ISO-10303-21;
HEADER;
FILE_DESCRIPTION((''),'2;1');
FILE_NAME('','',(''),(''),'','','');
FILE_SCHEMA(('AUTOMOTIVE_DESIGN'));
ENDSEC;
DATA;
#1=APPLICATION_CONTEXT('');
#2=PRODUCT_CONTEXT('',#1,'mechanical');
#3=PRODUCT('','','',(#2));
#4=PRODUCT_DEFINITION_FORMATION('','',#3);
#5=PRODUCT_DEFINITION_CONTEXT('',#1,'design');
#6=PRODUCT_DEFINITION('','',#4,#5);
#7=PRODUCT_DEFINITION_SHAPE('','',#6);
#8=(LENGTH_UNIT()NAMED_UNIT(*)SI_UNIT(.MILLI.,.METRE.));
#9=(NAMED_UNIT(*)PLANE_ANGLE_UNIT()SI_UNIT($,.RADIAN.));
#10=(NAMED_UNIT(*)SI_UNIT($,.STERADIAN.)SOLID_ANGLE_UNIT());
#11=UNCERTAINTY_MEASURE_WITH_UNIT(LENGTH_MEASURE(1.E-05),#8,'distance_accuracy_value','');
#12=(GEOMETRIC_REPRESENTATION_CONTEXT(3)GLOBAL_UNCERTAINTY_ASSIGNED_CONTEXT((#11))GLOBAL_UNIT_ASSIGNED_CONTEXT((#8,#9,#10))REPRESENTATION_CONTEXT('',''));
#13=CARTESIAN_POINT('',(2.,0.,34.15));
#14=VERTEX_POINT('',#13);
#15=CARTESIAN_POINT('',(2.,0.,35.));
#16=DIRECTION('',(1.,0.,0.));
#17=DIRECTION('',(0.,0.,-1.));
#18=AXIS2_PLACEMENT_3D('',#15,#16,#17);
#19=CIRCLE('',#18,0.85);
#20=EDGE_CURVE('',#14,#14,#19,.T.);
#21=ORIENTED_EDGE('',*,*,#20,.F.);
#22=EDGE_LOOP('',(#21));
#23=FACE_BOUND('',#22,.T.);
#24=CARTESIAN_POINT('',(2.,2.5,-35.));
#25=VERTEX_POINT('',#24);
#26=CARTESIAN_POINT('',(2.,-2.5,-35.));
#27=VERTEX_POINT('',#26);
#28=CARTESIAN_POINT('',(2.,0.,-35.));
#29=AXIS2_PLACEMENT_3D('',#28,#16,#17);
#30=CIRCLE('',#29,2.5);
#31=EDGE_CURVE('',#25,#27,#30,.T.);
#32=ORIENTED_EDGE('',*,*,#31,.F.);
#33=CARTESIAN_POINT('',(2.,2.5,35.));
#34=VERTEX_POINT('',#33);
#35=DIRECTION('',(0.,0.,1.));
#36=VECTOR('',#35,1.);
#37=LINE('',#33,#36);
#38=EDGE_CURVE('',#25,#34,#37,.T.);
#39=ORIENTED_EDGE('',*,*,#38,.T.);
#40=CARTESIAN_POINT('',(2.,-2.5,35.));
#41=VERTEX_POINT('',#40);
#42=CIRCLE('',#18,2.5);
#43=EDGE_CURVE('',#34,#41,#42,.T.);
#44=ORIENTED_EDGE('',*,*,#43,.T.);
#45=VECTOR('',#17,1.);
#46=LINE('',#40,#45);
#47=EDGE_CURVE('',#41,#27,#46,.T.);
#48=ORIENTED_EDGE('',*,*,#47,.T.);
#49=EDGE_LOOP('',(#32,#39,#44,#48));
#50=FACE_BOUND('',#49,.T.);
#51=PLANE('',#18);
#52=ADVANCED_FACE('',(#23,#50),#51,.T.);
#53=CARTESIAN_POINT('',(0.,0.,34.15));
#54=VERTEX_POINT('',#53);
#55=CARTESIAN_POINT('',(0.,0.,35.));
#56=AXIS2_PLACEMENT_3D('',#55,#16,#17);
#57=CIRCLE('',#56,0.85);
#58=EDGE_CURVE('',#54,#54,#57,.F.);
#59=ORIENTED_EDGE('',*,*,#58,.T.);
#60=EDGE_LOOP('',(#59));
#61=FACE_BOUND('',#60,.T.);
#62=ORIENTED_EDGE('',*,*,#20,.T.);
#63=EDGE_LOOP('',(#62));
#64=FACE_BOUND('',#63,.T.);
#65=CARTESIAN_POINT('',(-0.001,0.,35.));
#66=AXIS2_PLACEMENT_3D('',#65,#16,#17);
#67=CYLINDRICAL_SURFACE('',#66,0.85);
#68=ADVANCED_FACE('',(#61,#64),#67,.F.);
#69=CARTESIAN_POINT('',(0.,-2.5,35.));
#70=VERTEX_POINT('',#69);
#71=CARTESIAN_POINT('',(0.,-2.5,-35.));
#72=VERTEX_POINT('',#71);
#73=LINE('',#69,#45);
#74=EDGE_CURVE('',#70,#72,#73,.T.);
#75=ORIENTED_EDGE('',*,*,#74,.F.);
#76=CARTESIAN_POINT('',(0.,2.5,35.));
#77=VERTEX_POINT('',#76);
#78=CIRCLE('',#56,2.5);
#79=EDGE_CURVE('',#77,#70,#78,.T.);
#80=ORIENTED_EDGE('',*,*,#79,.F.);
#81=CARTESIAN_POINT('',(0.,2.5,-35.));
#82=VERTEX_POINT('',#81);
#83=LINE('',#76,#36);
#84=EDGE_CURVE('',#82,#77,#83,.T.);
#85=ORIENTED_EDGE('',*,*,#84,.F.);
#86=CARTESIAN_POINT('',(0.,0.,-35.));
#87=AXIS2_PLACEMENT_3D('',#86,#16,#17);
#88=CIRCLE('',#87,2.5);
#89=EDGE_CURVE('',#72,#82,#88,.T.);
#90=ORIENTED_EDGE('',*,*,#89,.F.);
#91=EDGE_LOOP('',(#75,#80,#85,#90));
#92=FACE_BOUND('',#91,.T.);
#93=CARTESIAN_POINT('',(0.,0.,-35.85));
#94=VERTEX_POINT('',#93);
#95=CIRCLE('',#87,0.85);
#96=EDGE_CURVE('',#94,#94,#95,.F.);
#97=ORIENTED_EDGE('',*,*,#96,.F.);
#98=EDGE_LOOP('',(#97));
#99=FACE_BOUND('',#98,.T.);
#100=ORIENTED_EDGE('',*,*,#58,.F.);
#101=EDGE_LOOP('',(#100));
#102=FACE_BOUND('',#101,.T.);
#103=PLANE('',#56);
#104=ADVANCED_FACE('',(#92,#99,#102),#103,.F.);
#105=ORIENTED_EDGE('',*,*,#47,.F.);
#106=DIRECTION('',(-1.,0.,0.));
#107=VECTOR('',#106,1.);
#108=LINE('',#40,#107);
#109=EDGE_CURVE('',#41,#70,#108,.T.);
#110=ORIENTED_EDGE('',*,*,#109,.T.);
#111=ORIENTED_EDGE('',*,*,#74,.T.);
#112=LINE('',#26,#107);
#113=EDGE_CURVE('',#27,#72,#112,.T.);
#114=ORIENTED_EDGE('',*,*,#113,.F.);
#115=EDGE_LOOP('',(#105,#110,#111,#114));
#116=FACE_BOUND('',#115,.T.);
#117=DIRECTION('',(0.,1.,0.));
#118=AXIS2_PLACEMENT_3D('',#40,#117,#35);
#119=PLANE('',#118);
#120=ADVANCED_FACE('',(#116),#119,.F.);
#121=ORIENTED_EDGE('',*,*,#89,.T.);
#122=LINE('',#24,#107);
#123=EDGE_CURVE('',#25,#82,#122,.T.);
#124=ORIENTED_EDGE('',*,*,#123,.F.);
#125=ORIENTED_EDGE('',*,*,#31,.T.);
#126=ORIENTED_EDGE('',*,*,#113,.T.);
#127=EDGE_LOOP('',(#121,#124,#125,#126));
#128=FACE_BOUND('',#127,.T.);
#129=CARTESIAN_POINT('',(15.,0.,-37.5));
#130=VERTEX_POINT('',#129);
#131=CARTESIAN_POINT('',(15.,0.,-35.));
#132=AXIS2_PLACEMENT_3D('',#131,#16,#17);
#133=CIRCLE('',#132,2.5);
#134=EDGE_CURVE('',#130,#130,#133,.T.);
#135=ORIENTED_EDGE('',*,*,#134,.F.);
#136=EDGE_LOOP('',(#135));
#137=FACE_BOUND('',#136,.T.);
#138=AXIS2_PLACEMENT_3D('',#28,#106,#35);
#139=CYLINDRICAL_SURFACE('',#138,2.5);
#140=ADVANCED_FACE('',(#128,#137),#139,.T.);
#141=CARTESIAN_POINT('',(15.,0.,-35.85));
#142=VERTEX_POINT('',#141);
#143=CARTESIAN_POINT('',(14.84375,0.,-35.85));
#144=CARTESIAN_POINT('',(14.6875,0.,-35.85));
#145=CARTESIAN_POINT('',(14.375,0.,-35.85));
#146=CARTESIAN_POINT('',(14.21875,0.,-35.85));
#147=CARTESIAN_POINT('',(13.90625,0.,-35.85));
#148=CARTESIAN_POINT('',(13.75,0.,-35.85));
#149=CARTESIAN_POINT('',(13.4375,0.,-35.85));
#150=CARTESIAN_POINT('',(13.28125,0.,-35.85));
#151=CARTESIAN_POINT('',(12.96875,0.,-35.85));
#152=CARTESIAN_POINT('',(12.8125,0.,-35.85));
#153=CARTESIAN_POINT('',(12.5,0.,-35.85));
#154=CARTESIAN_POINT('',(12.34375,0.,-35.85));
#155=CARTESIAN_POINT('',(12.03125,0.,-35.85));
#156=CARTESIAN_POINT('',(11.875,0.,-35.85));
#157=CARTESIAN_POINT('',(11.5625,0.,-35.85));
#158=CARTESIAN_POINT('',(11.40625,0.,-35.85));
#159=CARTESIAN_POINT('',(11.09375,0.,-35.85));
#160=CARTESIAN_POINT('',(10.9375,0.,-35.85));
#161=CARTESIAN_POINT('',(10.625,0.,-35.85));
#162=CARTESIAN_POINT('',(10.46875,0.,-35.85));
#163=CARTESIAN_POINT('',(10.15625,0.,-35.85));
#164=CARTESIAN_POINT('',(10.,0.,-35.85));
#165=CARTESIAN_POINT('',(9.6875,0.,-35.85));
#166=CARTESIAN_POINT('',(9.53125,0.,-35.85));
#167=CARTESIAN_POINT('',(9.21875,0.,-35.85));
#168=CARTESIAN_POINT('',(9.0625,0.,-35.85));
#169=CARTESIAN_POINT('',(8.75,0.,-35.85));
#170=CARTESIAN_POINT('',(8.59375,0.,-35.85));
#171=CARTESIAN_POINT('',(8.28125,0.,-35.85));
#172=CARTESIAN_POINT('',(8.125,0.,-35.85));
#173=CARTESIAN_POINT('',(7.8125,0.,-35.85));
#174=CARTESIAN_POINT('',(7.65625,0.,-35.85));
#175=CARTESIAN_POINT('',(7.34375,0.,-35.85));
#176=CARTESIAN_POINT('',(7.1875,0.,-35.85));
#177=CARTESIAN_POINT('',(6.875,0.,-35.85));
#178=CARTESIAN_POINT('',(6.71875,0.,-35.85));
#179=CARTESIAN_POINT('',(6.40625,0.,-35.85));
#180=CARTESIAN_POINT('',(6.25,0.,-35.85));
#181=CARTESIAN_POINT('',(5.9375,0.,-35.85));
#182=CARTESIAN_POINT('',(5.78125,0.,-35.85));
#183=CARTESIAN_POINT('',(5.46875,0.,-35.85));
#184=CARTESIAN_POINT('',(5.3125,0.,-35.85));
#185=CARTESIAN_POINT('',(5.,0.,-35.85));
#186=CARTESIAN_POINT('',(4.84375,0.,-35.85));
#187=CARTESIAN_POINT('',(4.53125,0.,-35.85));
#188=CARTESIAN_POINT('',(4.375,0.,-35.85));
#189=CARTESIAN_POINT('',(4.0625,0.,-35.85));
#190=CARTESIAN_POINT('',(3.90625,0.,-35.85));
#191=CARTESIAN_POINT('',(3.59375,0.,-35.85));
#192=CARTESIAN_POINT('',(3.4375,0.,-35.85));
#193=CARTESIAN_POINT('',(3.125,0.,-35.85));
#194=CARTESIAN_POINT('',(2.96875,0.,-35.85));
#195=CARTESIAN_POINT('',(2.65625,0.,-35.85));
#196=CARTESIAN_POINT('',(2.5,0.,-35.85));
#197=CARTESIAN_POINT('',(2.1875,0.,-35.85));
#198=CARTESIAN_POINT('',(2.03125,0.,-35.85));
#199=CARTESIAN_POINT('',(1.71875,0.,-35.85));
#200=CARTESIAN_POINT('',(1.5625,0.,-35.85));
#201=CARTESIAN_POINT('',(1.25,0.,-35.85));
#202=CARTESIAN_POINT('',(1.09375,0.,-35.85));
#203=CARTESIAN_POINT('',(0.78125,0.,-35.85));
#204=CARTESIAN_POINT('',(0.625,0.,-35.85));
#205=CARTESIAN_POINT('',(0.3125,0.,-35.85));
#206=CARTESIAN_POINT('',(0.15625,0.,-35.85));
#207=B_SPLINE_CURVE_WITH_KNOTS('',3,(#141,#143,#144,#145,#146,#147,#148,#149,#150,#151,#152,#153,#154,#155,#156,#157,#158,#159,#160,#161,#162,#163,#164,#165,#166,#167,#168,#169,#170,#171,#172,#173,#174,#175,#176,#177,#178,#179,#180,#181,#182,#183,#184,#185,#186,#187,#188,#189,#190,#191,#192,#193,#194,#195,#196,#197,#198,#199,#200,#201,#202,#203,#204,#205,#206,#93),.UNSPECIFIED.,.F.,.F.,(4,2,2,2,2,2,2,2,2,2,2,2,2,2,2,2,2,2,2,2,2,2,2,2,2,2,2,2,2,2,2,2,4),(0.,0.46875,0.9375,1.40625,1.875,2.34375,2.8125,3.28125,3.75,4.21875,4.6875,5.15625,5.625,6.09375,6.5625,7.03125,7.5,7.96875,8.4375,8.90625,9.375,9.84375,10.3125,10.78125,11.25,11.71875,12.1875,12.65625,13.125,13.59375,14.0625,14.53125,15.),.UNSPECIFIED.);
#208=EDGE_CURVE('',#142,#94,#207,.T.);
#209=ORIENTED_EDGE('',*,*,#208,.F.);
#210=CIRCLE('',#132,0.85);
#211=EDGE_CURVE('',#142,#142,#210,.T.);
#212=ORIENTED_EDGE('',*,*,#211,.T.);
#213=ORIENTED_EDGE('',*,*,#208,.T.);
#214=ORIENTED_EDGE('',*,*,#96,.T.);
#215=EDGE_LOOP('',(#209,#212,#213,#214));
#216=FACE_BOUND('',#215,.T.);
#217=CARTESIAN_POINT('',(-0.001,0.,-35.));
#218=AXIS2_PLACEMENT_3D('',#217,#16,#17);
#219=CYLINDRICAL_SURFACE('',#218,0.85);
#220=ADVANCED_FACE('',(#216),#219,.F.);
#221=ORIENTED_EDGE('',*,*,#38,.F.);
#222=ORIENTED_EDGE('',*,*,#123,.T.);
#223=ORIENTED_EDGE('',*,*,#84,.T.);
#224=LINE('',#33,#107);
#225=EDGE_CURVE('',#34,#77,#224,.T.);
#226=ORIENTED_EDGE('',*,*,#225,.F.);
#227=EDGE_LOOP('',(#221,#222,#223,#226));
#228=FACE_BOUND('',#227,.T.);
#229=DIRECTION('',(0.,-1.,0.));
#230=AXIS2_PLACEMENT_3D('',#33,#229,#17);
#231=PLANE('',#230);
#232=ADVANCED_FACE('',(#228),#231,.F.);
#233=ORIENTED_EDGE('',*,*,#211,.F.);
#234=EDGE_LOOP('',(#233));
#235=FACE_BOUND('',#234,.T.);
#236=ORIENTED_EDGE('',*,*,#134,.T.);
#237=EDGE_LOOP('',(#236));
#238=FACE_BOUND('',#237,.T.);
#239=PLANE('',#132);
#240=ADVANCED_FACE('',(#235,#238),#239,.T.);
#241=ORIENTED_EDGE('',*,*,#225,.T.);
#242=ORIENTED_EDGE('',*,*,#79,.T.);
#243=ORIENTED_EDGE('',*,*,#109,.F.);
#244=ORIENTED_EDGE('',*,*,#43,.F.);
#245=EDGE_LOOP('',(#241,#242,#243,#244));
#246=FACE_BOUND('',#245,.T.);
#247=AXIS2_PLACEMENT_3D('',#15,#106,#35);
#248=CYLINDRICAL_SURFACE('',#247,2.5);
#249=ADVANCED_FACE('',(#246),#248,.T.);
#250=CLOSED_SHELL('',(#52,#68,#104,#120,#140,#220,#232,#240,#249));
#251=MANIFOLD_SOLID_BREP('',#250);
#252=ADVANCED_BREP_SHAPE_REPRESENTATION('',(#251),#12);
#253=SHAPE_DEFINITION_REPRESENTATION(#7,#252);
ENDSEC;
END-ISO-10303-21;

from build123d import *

# Parameters (mm, degrees)
RESSALTO_EXTRUS_O1_DEPTH = 2
ESBO_O2_R                = 2.5
RESSALTO_EXTRUS_O2_DEPTH = 13
CORTE_EXTRUS_O1_REACH    = 42.466
ESBO_O3_R                = 0.85
CORTE_EXTRUS_O2_REACH    = 41.768
ESBO_O4_R                = 0.85


with BuildPart() as part:
    # Esboço1 → Ressalto-extrusão1 (new body)
    with BuildSketch(Plane(origin=(0, 0, 0), x_dir=(0, 0, -1), z_dir=(1, 0, 0))):
        with BuildLine():
            Line((-35, 2.5), (35, 2.5))
            ThreePointArc((35, 2.5), (37.5, 0), (35, -2.5))
            Line((35, -2.5), (-35, -2.5))
            ThreePointArc((-35, -2.5), (-37.5, 0), (-35, 2.5))
        make_face()
    extrude(amount=RESSALTO_EXTRUS_O1_DEPTH)

    # Esboço2 → Ressalto-extrusão2 (add)
    with BuildSketch(Plane(origin=(2, 0, 0), x_dir=(0, 0, -1), z_dir=(1, 0, 0))):
        with Locations(Location((35, 0, 0), (0, 0, 90))):
            Circle(ESBO_O2_R)
    extrude(amount=RESSALTO_EXTRUS_O2_DEPTH)

    # Esboço3 → Corte-extrusão1 (cut, up to next)
    with BuildSketch(Plane(origin=(15, 0, 0), x_dir=(0, 0, -1), z_dir=(1, 0, 0)), mode=Mode.PRIVATE) as corte_extrus_o1_sk1:
        with Locations((35, 0)):
            Circle(ESBO_O3_R)
    corte_extrus_o1_tool1 = extrude(corte_extrus_o1_sk1.sketch, amount=-CORTE_EXTRUS_O1_REACH, mode=Mode.PRIVATE) & part.part
    add(corte_extrus_o1_tool1.solids().sort_by_distance((15, 0, -35))[0], mode=Mode.SUBTRACT)

    # Esboço4 → Corte-extrusão2 (cut, up to next)
    with BuildSketch(Plane(origin=(2, 0, 0), x_dir=(0, 0, -1), z_dir=(1, 0, 0)), mode=Mode.PRIVATE) as corte_extrus_o2_sk1:
        with Locations((-35, 0)):
            Circle(ESBO_O4_R)
    corte_extrus_o2_tool1 = extrude(corte_extrus_o2_sk1.sketch, amount=-CORTE_EXTRUS_O2_REACH, mode=Mode.PRIVATE) & part.part
    add(corte_extrus_o2_tool1.solids().sort_by_distance((2, 0, 35))[0], mode=Mode.SUBTRACT)


solid = part.part
